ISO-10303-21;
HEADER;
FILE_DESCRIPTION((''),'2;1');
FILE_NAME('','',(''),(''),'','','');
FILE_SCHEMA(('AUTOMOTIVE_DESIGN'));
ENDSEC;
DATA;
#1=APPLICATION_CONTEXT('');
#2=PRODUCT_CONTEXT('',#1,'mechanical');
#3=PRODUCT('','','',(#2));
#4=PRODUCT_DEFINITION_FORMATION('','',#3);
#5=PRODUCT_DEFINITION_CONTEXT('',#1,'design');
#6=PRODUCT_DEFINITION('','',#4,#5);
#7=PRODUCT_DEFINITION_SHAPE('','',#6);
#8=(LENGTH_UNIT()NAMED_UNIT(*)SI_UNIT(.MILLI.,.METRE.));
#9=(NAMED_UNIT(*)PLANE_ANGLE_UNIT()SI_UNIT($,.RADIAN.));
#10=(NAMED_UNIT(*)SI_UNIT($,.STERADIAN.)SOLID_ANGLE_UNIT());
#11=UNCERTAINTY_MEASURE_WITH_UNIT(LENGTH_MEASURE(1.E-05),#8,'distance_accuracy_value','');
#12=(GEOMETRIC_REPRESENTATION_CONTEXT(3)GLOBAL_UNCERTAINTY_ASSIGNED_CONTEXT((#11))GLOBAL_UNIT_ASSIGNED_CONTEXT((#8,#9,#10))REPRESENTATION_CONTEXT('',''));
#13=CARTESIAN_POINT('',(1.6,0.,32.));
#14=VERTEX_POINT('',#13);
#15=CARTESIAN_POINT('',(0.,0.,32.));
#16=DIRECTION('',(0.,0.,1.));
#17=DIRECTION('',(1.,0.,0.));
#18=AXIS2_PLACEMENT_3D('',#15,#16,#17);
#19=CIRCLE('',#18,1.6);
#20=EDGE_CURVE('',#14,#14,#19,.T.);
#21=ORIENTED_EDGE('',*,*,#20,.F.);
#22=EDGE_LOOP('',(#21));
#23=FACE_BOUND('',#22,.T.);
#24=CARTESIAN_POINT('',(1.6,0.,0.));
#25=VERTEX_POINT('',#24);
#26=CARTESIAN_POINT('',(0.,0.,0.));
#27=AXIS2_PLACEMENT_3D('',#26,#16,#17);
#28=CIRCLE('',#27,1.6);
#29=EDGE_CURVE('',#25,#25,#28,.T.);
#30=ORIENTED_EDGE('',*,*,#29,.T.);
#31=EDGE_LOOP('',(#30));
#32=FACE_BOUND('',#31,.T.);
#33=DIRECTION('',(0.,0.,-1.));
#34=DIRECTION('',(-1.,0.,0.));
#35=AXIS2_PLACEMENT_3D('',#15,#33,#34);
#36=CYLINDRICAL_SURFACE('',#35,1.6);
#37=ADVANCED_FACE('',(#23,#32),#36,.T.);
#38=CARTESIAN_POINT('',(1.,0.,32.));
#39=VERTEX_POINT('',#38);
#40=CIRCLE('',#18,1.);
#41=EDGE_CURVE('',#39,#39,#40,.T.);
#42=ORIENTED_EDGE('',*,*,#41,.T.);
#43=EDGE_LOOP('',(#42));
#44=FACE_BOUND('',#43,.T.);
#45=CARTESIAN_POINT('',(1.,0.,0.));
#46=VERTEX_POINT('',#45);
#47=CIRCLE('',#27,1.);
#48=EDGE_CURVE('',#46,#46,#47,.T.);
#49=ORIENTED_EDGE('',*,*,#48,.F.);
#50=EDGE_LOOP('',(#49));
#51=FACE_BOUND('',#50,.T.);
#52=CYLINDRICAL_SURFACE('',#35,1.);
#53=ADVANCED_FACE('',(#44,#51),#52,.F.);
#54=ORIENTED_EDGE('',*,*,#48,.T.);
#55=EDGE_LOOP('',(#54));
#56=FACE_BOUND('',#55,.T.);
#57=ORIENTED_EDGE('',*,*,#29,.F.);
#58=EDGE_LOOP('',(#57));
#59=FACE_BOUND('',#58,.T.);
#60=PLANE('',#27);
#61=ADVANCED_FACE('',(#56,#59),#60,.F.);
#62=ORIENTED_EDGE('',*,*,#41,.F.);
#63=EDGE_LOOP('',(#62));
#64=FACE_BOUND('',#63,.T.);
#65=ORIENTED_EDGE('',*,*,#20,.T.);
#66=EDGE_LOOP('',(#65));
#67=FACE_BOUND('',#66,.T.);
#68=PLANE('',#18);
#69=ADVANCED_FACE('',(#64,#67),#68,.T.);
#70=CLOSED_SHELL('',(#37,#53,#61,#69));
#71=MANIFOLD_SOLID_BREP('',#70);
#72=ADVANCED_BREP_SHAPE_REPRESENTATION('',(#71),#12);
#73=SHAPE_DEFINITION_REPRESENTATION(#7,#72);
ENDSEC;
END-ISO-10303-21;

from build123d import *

# Parameters (mm, degrees)
SKETCH_1_R      = 1.6
SKETCH_1_R_2    = 1
EXTRUDE_1_DEPTH = 32


with BuildPart() as part:
    # 草图1 → 凸台-拉伸1 (new body)
    with BuildSketch(Plane.XY):
        Circle(SKETCH_1_R)
        Circle(SKETCH_1_R_2, mode=Mode.SUBTRACT)
    extrude(amount=EXTRUDE_1_DEPTH)


solid = part.part
